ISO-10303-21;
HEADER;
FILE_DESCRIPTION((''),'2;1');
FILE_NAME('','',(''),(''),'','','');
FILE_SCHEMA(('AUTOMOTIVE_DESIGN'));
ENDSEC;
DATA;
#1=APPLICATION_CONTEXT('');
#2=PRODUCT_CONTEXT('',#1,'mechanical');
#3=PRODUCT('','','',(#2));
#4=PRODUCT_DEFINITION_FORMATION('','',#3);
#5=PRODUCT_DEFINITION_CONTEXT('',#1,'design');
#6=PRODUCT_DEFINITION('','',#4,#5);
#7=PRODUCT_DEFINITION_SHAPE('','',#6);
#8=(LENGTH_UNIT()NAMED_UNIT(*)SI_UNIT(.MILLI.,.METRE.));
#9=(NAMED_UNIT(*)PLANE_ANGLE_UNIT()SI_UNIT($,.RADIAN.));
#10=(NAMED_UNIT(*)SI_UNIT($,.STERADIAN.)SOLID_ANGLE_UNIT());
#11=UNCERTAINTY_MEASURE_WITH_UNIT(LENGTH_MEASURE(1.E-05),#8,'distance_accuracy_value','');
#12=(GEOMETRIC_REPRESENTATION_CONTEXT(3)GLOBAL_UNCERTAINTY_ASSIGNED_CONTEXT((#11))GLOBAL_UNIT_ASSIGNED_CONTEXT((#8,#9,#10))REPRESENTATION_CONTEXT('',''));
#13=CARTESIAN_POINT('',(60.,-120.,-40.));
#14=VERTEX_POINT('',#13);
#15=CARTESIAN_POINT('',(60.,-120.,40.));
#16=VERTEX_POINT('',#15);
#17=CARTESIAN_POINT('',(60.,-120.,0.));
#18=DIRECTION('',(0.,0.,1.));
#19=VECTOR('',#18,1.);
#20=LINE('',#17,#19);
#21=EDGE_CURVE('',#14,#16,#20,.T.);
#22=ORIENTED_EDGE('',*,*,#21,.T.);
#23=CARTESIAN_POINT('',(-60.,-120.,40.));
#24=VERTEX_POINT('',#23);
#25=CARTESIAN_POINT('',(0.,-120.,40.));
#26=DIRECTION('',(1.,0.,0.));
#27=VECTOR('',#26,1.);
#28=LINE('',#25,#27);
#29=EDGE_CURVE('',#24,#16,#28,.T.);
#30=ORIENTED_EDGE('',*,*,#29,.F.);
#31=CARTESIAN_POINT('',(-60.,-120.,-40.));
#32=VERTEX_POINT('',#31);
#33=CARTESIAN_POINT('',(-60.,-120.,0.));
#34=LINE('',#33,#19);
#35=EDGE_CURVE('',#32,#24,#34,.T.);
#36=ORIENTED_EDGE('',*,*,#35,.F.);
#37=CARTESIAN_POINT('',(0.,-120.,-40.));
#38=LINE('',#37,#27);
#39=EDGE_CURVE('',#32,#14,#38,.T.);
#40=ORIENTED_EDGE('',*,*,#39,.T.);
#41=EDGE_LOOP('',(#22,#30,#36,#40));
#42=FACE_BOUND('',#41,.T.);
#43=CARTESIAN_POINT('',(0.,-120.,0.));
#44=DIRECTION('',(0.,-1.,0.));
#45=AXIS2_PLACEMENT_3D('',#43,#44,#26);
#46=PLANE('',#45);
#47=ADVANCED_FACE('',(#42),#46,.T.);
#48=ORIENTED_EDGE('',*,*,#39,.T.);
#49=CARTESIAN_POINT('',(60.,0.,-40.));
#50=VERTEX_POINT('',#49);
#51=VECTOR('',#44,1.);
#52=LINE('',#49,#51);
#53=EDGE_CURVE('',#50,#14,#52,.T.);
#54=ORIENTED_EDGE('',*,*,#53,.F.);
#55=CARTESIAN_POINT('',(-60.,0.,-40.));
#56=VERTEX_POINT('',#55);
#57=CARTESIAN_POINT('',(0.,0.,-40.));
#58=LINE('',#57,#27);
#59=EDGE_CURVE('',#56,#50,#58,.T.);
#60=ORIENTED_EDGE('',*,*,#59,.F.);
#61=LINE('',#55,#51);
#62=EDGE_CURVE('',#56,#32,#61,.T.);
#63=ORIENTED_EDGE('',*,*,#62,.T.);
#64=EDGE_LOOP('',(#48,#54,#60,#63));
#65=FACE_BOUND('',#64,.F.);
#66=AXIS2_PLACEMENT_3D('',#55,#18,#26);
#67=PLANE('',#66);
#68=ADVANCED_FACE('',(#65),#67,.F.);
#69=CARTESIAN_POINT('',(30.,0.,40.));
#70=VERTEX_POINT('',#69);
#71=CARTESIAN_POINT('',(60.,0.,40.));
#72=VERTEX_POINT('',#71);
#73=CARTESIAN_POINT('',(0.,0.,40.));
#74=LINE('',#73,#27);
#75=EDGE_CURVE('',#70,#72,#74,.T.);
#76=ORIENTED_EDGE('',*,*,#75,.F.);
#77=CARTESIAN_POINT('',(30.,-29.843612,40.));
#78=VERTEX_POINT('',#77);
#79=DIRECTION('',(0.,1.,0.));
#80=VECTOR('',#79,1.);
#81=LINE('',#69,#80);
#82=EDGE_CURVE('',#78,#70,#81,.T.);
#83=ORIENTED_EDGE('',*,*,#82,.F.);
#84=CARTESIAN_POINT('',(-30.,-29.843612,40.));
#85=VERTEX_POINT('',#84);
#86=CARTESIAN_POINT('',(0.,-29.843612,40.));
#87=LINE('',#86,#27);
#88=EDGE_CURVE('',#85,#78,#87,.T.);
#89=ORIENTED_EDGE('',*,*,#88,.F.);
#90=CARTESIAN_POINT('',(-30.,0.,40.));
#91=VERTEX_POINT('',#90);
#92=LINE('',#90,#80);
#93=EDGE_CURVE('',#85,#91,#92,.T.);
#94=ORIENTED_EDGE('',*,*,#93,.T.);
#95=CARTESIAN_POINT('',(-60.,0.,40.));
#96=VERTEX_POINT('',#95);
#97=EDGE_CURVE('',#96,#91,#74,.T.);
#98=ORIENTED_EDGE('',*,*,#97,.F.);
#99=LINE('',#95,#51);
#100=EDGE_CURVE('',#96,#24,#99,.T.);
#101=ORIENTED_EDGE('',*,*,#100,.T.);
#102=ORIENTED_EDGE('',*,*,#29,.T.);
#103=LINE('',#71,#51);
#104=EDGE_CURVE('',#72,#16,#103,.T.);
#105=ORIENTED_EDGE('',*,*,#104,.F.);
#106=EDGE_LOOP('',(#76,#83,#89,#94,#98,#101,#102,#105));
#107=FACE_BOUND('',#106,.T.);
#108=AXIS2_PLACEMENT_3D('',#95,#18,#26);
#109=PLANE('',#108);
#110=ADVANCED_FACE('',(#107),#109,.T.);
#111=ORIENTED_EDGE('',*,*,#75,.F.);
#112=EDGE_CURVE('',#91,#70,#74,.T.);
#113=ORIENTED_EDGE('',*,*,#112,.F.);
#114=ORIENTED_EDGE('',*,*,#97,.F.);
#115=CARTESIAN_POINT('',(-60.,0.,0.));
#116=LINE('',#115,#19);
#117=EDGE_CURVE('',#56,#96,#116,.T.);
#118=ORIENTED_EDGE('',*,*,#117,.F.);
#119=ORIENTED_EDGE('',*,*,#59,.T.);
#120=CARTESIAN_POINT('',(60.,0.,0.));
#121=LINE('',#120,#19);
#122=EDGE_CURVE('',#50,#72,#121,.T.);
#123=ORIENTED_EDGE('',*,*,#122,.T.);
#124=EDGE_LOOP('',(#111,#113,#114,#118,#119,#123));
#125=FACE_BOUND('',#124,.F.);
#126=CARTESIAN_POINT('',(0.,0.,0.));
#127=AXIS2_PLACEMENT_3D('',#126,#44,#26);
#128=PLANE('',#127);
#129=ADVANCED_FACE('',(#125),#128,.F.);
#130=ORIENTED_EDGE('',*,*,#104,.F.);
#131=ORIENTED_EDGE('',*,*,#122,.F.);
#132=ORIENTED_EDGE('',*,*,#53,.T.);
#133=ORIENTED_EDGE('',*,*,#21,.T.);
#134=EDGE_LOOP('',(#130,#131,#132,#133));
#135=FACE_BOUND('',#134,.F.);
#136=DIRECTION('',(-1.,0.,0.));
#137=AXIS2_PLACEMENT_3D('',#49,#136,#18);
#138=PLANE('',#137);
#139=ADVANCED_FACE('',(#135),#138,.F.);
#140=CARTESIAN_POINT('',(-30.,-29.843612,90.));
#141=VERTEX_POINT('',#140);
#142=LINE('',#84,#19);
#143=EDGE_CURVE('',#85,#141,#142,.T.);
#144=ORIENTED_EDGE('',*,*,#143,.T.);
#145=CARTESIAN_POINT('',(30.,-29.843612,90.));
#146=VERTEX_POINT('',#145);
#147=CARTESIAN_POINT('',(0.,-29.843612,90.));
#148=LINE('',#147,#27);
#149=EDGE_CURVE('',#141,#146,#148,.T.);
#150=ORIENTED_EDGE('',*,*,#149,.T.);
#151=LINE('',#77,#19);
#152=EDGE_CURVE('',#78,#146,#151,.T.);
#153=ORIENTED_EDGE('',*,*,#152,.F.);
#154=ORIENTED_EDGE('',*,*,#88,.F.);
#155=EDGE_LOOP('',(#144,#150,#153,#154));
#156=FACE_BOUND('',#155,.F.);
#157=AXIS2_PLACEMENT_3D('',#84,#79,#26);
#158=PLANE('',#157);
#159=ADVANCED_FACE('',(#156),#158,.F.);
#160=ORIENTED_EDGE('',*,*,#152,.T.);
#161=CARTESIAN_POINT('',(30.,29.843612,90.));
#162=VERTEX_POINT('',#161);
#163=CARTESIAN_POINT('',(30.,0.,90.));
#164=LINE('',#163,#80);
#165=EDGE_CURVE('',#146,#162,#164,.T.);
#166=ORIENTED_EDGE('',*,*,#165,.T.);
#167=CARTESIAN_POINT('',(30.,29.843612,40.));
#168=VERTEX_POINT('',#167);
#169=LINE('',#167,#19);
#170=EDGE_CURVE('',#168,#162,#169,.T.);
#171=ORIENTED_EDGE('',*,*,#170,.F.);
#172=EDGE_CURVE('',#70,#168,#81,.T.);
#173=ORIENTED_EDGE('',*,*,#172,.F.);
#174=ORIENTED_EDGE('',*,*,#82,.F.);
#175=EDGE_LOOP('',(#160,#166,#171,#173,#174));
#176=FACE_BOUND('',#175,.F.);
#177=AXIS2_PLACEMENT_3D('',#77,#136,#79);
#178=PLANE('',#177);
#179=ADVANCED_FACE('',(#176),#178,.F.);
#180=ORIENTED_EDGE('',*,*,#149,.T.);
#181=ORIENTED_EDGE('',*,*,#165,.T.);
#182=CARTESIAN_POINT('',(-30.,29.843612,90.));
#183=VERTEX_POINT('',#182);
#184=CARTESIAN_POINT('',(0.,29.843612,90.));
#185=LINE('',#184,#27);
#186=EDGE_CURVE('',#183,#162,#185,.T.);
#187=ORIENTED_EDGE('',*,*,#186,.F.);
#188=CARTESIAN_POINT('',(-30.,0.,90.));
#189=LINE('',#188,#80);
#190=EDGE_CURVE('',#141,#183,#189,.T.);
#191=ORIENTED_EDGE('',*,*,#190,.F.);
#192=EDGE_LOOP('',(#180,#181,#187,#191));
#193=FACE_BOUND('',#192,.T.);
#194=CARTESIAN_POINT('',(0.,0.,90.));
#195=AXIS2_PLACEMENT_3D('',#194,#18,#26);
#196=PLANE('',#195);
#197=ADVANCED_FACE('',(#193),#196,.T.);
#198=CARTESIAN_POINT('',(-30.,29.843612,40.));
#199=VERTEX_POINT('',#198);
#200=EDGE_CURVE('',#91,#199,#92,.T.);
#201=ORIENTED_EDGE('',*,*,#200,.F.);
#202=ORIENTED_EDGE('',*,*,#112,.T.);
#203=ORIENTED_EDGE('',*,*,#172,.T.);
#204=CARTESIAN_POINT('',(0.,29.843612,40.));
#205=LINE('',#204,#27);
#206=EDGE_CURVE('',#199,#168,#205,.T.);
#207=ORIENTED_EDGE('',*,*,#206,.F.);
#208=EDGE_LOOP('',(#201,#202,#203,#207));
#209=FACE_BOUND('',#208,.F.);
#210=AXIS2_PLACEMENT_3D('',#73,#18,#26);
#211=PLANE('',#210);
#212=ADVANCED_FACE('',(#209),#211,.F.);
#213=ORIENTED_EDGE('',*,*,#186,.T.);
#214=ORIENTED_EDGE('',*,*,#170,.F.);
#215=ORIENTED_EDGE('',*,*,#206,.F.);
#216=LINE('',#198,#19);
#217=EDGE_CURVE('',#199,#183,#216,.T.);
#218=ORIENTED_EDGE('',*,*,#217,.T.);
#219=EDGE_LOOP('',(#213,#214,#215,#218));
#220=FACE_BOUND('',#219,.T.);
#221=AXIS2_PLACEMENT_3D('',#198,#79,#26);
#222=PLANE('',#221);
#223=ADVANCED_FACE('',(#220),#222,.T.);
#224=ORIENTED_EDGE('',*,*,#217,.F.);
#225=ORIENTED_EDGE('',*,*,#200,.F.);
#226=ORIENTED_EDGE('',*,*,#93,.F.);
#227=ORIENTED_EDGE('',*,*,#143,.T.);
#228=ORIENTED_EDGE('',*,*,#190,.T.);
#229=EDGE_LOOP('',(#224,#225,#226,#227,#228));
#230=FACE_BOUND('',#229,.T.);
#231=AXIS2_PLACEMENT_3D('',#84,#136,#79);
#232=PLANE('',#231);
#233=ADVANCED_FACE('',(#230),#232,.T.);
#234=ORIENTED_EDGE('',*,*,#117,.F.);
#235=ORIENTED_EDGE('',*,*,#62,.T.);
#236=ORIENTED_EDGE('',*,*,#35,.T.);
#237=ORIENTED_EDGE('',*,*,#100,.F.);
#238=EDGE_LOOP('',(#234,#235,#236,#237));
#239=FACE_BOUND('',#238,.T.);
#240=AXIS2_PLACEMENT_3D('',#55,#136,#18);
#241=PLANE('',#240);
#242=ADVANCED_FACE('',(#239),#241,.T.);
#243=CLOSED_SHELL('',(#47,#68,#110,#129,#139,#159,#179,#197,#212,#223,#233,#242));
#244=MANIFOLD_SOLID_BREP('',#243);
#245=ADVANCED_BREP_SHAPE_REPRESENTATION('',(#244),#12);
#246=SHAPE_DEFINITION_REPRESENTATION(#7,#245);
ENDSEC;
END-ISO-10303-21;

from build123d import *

# Parameters (mm, degrees)
F0_W     = 120
F0_H     = 80
F1_DEPTH = 120
F2_W     = 60
F2_H     = 59.687224
F3_DEPTH = 50


with BuildPart() as f1:
    # F0 (on Front) → F1 (new body)
    with BuildSketch(Plane.XZ):
        Rectangle(F0_W, F0_H)
    extrude(amount=F1_DEPTH)

    # F2 (on face) → F3 (join)
    with BuildSketch(Plane.XY.offset(40)):
        Rectangle(F2_W, F2_H)
    extrude(amount=F3_DEPTH)


solid = f1.part
